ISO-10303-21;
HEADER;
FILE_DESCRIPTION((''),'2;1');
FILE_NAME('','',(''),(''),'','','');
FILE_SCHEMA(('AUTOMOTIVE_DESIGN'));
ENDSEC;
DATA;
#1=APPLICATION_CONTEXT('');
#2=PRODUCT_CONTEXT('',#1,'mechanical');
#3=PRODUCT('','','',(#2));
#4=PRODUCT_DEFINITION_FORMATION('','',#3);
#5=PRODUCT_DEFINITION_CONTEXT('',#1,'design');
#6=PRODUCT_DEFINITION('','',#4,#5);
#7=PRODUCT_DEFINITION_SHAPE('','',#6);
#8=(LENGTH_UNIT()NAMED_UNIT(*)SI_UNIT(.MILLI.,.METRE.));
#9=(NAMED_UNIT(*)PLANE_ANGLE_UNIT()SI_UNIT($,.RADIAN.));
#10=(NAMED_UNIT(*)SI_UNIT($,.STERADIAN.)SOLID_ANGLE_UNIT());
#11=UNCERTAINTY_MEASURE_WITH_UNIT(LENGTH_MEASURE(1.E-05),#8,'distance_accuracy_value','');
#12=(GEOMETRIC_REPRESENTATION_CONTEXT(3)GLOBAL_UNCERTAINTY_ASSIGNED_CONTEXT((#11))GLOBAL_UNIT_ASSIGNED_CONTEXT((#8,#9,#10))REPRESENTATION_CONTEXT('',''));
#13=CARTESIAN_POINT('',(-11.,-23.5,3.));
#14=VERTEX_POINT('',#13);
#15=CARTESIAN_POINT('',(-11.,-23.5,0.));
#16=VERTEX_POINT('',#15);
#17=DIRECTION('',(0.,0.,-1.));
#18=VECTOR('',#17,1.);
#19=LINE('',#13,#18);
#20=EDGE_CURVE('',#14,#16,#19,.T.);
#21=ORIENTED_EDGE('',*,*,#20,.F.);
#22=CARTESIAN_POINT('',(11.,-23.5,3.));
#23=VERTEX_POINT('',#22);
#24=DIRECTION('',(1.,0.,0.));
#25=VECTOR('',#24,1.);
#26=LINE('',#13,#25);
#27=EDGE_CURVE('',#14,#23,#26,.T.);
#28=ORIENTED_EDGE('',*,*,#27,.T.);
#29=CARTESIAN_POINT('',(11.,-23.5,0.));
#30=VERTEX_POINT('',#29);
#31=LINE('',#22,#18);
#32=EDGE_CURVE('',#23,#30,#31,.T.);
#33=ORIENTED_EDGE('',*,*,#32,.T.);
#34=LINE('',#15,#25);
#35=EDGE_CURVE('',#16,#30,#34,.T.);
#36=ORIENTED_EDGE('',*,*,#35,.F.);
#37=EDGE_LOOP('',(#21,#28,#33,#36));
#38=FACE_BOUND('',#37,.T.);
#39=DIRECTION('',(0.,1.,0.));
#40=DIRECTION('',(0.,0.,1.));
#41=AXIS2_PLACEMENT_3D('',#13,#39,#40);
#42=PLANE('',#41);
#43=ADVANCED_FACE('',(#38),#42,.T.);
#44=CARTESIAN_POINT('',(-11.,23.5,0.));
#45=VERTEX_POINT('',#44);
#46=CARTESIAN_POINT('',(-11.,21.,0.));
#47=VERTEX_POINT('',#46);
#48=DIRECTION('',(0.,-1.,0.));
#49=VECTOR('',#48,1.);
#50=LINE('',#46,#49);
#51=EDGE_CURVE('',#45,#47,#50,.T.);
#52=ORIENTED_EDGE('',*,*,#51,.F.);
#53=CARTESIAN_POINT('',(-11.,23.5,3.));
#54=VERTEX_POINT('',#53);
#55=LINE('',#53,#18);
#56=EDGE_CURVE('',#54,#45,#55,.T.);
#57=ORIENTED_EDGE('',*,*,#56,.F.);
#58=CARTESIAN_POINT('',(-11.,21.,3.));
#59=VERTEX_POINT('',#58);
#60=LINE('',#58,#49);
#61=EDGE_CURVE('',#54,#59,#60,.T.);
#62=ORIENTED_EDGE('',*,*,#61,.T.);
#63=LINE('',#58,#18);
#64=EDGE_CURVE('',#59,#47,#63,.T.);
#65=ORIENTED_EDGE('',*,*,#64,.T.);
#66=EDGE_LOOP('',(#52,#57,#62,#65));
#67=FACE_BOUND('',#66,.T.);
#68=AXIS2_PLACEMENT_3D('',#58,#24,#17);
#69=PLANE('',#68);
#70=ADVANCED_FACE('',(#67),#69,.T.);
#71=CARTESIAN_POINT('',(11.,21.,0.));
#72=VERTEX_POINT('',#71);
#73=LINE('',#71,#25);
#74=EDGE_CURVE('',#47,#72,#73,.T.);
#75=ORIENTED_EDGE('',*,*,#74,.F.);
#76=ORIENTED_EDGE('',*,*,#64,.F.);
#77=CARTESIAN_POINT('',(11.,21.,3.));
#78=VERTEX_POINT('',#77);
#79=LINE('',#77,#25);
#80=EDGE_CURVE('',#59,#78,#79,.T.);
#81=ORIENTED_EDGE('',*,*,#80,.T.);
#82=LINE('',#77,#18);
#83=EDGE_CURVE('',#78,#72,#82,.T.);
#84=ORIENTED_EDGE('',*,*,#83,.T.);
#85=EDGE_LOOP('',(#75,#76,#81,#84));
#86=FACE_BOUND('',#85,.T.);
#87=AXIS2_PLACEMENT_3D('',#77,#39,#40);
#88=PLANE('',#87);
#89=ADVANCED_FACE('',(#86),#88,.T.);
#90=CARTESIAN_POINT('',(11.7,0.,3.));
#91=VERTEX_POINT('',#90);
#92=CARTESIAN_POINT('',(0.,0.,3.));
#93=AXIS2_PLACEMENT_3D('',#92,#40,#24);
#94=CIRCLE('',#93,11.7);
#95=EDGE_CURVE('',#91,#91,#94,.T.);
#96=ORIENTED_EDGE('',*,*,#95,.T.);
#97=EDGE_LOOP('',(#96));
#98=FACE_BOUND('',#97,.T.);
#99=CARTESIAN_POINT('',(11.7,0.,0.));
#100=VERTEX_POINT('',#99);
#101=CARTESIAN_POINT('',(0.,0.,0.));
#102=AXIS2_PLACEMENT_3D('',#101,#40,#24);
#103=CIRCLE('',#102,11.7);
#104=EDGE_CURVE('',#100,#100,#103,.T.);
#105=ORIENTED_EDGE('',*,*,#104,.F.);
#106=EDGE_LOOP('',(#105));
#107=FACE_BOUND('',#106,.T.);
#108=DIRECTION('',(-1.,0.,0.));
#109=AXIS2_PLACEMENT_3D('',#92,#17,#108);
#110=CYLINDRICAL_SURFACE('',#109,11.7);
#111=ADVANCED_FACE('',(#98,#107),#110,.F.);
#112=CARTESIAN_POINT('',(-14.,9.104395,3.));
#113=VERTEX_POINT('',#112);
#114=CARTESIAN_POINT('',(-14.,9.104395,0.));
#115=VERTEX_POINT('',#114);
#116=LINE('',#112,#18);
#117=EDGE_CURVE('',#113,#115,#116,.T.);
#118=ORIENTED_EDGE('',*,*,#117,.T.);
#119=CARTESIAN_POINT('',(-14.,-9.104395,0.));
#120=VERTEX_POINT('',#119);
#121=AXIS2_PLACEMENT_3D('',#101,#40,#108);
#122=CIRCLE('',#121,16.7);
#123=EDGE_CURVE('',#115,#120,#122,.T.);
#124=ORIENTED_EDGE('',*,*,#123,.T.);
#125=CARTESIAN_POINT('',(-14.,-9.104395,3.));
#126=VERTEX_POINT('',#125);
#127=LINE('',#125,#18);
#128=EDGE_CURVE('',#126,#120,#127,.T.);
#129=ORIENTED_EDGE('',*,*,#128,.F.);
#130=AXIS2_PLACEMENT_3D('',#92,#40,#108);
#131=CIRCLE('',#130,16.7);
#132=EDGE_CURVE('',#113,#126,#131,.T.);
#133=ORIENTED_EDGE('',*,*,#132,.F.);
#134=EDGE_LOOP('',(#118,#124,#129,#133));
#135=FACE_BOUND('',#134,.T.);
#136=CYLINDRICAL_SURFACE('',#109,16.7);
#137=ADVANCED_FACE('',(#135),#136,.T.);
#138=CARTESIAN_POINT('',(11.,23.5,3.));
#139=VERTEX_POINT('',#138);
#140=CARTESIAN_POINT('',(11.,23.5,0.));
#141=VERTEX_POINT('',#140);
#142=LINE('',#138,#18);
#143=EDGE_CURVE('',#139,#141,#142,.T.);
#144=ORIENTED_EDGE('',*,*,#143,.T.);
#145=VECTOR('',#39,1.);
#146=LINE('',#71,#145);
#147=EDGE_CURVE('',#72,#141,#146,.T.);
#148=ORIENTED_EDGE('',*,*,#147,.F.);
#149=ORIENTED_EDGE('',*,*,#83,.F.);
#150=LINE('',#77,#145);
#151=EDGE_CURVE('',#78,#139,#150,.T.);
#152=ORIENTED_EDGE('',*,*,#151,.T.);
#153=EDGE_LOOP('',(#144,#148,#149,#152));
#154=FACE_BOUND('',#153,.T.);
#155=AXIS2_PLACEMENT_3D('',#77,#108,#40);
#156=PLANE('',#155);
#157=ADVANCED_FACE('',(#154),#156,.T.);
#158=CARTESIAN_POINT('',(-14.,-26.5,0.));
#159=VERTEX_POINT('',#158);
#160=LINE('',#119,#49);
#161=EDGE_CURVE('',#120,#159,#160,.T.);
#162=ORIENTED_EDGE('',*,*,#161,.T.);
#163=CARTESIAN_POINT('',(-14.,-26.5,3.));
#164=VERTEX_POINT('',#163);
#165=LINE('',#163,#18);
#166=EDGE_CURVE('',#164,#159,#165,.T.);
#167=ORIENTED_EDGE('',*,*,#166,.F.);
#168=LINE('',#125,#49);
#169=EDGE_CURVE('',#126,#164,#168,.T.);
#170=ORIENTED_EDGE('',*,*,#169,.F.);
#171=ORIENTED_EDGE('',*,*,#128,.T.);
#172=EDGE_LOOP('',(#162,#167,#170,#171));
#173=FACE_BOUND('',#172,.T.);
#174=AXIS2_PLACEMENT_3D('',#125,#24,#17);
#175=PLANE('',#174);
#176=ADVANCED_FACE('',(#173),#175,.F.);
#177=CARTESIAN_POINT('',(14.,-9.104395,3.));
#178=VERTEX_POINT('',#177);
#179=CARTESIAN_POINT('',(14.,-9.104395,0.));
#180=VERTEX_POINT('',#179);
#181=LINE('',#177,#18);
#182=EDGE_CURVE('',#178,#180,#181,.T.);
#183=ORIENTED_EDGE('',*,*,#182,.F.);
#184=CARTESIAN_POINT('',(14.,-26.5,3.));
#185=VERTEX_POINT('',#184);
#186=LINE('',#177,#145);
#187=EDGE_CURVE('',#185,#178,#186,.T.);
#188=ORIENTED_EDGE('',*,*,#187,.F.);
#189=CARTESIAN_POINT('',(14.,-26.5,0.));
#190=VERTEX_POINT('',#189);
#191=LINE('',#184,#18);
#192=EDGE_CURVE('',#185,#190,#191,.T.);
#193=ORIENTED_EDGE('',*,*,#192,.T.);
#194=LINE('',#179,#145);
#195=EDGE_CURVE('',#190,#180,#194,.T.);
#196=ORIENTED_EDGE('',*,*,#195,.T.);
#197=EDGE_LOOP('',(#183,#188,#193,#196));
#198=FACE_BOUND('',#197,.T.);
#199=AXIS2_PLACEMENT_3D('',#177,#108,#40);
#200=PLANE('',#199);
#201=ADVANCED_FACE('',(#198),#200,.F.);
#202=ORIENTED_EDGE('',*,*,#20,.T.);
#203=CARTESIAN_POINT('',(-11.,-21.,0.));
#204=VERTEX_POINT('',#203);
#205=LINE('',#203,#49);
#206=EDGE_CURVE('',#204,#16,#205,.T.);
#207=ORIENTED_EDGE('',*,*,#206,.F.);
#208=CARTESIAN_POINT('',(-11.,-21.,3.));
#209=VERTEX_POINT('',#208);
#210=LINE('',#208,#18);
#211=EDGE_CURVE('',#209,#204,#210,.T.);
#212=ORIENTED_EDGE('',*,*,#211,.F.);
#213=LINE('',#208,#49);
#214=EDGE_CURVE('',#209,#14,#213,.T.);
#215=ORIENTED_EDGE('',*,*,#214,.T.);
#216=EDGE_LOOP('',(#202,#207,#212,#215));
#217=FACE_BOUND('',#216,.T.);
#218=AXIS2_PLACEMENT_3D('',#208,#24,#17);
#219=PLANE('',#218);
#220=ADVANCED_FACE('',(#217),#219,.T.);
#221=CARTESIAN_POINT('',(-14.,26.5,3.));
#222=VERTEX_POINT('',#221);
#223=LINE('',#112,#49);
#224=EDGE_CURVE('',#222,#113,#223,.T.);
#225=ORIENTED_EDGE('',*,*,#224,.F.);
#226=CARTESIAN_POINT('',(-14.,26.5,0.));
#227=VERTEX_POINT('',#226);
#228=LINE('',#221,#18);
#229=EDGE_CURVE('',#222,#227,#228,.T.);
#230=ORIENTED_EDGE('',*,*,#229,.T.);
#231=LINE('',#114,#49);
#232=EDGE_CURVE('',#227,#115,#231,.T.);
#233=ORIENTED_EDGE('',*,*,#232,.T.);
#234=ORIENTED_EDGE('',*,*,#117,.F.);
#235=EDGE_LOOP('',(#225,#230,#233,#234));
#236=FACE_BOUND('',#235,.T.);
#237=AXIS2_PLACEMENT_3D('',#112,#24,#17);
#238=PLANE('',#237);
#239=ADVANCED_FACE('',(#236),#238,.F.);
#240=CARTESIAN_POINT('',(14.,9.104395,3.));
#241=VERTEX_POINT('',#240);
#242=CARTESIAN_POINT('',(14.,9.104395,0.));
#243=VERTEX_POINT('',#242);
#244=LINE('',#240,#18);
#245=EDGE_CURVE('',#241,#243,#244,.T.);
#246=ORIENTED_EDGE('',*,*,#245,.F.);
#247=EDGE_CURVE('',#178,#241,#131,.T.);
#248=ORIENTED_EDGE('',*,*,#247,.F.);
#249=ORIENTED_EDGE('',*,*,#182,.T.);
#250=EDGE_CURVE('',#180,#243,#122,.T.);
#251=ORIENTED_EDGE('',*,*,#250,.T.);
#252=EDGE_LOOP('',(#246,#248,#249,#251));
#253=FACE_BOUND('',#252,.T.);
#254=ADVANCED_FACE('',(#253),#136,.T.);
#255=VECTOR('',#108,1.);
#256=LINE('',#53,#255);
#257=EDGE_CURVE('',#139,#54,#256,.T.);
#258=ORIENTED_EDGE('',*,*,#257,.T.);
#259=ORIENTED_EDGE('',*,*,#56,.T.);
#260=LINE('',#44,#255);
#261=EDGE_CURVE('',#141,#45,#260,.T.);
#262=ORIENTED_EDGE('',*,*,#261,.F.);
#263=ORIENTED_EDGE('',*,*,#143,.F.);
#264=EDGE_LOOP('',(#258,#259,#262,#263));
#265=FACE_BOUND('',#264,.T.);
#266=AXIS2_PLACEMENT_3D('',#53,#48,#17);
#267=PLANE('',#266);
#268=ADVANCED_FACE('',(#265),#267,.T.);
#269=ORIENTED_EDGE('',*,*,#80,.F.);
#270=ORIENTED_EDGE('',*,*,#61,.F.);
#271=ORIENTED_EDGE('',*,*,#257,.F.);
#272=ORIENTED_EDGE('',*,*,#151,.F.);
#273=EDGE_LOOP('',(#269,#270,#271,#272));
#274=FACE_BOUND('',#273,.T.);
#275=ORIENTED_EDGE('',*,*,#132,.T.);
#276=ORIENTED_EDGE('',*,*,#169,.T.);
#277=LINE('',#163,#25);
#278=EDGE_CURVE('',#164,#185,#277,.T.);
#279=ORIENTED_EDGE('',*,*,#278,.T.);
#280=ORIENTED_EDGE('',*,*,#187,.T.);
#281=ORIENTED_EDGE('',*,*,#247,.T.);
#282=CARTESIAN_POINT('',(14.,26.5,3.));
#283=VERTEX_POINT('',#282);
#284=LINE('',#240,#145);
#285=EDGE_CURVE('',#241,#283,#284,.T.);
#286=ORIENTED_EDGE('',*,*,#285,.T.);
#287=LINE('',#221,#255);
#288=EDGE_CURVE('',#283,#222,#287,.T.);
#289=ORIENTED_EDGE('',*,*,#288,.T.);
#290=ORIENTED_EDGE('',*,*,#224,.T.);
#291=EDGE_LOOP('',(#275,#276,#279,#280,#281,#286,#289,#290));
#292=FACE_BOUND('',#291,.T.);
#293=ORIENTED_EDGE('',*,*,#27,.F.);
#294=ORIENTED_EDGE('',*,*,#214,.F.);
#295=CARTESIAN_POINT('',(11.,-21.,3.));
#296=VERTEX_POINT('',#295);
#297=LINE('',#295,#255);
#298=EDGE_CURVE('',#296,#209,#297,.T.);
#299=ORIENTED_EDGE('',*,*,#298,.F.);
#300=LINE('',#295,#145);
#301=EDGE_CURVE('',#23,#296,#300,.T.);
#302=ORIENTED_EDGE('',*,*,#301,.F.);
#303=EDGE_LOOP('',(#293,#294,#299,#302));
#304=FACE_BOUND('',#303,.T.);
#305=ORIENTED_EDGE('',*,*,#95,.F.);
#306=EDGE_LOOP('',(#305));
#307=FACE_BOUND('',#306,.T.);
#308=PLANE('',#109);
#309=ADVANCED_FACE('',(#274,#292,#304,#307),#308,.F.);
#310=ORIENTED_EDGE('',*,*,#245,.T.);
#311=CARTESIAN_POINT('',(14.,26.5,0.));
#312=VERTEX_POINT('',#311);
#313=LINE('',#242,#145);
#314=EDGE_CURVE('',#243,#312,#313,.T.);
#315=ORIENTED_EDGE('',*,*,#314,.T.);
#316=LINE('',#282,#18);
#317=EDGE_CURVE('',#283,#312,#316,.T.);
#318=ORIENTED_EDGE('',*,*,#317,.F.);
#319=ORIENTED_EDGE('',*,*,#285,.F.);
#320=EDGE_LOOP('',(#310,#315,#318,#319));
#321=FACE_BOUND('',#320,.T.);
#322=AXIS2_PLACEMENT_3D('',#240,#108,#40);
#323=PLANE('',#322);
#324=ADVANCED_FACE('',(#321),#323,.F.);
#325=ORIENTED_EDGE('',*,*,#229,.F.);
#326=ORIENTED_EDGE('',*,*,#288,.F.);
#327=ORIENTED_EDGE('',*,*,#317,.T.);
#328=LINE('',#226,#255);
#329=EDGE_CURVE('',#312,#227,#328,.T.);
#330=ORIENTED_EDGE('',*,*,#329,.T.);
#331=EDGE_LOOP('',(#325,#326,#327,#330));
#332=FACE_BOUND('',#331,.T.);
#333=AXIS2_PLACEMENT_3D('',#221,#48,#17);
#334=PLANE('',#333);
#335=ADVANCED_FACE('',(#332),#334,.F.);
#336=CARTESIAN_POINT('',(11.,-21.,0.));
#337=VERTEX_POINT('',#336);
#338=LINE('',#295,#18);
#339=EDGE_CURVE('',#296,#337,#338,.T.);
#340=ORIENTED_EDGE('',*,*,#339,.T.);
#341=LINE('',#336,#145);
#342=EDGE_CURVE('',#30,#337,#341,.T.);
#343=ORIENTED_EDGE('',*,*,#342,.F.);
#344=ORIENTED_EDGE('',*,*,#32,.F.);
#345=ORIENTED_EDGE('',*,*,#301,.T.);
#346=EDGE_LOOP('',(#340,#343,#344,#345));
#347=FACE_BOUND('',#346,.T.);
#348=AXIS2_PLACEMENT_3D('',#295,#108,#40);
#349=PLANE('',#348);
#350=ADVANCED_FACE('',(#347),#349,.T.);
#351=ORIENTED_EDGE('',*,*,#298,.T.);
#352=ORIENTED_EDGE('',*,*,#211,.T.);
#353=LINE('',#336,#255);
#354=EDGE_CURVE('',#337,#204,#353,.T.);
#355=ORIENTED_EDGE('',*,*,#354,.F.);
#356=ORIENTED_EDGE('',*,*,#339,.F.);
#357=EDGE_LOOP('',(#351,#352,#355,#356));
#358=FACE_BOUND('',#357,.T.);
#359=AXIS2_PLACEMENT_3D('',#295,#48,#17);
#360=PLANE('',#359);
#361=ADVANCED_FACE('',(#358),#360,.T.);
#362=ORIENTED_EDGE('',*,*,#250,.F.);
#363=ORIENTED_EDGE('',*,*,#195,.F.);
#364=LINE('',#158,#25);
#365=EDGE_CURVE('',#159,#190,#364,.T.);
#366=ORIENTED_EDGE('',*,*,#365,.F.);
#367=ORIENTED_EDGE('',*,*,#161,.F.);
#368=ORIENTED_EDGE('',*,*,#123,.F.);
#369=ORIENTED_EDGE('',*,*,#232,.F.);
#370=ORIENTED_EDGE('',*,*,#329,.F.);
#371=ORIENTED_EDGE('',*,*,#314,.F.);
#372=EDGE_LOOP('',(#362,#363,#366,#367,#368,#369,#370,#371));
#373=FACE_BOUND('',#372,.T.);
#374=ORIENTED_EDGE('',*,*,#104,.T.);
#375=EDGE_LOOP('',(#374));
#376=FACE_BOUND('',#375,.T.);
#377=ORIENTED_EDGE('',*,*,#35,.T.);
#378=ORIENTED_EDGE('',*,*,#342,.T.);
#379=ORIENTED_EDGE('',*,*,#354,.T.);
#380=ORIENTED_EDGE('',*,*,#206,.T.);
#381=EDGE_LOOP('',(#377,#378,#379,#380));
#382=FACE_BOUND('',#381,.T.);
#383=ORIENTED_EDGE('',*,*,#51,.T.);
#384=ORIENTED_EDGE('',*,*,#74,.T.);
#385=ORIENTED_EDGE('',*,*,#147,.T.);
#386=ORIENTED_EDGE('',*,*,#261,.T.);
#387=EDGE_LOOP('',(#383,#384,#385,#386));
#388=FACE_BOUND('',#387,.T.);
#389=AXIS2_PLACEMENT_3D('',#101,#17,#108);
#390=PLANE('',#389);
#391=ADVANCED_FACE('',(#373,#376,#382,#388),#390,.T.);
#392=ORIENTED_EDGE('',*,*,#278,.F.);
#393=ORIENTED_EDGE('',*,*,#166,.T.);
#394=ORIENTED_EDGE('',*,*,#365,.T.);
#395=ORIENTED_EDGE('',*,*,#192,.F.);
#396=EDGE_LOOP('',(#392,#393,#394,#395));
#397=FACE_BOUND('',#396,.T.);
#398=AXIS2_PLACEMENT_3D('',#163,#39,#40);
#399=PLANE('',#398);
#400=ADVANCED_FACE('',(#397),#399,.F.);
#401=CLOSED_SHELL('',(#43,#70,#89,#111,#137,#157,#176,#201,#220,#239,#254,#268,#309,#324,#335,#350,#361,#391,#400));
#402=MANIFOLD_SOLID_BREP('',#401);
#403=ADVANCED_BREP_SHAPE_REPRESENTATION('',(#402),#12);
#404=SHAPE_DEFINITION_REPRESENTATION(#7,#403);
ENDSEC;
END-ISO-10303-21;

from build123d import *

# Parameters (mm, degrees)
CROQUIS1_R              = 11.7
CROQUIS1_W              = 22
CROQUIS1_H              = 2.5
SALIENTE_EXTRUIR1_DEPTH = 3


with BuildPart() as part:
    # Croquis1 → Saliente-Extruir1 (new body)
    with BuildSketch(Plane.XY):
        with BuildLine():
            Line((-14, 9.104394543), (-14, 26.5))
            Line((-14, 26.5), (14, 26.5))
            Line((14, 26.5), (14, 9.104394543))
            ThreePointArc((14, 9.104394543), (16.7, 0), (14, -9.104394543))
            Line((14, -9.104394543), (14, -26.5))
            Line((14, -26.5), (-14, -26.5))
            Line((-14, -26.5), (-14, -9.104394543))
            ThreePointArc((-14, -9.104394543), (-16.7, 0), (-14, 9.104394543))
        make_face()
        Circle(CROQUIS1_R, mode=Mode.SUBTRACT)
        with Locations((0, 22.25)):
            Rectangle(CROQUIS1_W, CROQUIS1_H, mode=Mode.SUBTRACT)
        with Locations((0, -22.25)):
            Rectangle(CROQUIS1_W, CROQUIS1_H, mode=Mode.SUBTRACT)
    extrude(amount=SALIENTE_EXTRUIR1_DEPTH)


solid = part.part
